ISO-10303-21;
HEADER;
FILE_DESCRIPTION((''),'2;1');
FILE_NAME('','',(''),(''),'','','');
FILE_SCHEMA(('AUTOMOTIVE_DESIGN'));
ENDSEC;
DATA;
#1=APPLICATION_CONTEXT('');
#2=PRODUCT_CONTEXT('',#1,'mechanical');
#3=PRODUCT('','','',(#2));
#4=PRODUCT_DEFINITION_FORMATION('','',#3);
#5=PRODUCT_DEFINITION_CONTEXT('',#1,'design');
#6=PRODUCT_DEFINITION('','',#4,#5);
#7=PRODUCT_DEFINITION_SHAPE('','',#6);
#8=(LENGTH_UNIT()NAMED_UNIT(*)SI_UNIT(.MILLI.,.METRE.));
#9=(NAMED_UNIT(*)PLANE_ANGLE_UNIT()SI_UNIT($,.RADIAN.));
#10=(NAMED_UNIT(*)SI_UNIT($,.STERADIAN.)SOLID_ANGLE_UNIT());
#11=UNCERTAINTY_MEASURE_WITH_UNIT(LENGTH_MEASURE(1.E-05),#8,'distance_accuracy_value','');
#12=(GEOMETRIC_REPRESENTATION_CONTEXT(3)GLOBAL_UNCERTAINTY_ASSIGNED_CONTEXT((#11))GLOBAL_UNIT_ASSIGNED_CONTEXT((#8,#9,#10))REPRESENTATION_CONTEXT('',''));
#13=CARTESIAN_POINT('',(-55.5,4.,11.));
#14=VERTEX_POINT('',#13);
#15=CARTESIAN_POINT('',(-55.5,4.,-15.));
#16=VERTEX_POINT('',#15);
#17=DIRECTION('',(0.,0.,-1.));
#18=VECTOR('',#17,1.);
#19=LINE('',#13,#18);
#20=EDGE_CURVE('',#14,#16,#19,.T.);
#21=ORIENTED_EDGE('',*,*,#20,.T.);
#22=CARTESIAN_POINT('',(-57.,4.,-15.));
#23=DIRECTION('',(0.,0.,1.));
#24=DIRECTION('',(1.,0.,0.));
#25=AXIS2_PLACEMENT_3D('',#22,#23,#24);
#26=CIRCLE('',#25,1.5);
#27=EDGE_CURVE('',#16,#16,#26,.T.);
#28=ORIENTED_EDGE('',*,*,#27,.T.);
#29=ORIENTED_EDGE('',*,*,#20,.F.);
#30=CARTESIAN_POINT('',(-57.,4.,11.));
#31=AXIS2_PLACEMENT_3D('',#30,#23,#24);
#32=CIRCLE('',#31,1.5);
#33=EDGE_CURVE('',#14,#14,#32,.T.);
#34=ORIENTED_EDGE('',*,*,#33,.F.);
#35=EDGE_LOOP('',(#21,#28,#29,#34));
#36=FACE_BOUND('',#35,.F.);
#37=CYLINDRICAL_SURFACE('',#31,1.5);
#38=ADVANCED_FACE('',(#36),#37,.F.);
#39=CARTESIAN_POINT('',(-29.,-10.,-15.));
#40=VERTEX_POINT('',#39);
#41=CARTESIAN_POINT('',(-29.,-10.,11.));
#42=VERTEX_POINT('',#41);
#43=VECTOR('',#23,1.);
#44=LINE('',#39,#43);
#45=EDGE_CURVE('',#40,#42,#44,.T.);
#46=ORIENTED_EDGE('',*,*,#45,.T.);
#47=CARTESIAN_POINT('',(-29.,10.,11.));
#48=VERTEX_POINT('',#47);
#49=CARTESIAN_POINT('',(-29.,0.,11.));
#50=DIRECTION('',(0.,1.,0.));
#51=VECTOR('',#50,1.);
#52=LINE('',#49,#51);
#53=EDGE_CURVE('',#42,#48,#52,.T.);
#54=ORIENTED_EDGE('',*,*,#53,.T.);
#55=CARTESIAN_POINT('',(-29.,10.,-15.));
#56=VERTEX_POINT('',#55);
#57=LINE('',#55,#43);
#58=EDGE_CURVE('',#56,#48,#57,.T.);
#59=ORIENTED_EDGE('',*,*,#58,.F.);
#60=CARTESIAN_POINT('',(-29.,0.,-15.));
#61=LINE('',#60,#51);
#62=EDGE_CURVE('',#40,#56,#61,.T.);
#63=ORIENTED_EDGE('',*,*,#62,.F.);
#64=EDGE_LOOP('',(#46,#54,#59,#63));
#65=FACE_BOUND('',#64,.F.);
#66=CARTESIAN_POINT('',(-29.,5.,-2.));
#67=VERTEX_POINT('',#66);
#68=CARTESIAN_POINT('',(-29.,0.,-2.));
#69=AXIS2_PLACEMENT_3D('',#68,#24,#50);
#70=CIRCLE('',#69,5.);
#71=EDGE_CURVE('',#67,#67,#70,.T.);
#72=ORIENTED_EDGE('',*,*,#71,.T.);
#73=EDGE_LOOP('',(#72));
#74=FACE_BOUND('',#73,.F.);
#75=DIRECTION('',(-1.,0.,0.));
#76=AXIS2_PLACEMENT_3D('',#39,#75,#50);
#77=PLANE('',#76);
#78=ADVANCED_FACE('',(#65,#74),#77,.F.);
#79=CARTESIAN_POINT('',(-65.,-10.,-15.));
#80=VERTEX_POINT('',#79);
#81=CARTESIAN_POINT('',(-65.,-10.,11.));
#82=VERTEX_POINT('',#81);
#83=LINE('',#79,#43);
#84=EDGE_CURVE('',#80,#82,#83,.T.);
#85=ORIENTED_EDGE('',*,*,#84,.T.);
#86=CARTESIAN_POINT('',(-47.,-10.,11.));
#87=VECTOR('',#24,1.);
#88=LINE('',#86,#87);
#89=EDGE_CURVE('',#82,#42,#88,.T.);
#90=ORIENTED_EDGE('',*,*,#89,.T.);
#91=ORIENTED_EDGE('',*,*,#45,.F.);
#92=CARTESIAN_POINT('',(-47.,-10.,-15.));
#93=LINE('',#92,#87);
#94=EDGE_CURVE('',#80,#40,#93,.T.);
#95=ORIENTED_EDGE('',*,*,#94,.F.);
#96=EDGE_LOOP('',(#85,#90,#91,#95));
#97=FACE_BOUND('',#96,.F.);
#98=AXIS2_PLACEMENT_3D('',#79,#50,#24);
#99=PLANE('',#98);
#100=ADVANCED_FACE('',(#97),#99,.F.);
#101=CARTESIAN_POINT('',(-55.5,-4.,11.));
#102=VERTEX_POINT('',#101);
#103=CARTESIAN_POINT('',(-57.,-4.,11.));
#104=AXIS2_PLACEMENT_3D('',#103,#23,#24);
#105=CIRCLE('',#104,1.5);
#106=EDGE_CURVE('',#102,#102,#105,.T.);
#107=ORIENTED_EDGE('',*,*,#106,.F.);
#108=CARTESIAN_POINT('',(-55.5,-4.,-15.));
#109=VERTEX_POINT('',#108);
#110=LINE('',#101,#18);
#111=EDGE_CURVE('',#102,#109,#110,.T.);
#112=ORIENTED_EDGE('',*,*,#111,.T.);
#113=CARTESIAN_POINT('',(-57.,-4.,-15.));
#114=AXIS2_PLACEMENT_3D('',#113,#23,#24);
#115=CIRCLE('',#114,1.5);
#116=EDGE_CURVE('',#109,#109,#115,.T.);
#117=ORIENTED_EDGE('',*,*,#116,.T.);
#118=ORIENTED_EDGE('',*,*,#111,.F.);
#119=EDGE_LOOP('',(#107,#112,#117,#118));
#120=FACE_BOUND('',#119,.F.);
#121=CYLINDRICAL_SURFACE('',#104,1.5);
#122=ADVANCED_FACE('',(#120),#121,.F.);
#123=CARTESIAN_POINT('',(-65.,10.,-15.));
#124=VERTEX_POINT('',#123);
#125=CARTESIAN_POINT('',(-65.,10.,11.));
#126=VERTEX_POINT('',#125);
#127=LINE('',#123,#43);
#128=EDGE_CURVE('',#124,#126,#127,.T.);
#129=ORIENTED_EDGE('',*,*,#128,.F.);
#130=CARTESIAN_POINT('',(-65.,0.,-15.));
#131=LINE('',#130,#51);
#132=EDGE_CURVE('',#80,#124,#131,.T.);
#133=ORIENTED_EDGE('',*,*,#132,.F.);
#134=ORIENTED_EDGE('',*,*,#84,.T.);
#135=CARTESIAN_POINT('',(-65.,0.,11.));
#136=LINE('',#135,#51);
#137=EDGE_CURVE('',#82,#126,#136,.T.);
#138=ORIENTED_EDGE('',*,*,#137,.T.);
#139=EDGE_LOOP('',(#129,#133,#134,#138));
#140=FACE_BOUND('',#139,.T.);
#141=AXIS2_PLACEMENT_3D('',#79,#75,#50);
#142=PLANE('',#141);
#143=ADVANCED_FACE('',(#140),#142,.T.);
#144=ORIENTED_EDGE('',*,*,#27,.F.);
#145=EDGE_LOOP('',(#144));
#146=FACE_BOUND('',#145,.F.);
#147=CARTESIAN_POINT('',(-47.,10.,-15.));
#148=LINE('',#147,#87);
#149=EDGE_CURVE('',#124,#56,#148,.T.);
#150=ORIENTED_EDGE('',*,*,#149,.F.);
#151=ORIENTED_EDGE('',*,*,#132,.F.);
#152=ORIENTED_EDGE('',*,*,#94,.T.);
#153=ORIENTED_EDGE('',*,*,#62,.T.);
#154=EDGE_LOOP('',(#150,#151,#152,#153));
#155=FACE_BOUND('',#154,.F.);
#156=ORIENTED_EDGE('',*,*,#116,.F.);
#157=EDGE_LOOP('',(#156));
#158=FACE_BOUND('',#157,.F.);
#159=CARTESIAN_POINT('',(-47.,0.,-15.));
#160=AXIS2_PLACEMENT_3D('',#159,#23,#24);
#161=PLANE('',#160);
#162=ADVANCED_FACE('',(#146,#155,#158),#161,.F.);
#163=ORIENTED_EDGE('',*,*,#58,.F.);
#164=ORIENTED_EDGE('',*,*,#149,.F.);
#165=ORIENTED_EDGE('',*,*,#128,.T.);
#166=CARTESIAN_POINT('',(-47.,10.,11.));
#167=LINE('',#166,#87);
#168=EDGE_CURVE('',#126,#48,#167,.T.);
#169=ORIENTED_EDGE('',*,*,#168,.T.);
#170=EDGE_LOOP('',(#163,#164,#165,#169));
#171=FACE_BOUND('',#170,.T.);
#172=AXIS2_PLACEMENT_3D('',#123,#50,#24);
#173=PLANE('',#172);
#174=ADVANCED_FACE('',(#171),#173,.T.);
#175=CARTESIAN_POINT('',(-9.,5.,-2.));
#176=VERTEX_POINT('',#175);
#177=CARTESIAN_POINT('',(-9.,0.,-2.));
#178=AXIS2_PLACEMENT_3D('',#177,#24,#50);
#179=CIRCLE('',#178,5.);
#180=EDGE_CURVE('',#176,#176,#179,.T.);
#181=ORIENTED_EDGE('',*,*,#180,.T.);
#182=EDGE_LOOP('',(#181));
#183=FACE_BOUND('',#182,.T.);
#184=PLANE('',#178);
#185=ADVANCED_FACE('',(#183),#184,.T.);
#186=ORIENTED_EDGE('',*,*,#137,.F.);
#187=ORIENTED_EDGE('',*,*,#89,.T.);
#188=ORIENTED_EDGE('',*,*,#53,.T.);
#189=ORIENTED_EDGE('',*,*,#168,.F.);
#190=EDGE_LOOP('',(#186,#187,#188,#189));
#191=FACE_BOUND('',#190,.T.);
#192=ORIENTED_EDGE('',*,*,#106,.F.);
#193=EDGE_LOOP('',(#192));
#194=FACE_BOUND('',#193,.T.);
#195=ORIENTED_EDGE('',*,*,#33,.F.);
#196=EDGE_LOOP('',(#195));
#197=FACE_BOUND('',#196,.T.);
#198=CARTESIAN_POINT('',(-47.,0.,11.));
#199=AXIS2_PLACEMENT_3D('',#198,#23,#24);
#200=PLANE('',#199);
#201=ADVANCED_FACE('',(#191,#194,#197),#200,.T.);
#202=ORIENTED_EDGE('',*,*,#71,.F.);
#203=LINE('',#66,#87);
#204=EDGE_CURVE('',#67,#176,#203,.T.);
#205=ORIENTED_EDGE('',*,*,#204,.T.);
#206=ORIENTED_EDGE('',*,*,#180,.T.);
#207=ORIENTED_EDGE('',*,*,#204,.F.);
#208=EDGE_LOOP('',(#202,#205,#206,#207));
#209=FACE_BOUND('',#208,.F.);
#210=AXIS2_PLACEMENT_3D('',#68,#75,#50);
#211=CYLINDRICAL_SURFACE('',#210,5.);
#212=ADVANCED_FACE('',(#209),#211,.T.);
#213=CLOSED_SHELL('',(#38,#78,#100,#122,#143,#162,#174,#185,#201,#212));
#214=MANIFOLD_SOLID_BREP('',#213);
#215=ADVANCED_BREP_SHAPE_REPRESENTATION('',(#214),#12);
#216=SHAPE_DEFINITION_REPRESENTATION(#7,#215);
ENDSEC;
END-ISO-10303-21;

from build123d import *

# Parameters (mm, degrees)
SKETCH119_W     = 36
SKETCH119_H     = 20
PAD083_DEPTH    = 26
SKETCH120_R     = 5
PAD084_DEPTH    = 20
SKETCH137_R     = 1.5
POCKET108_DEPTH = 26.001


with BuildPart() as part:
    # Sketch119 → Pad083 (new body)
    with BuildSketch(Plane.XY):
        with Locations((-46, 0)):
            Rectangle(SKETCH119_W, SKETCH119_H)
    extrude(amount=PAD083_DEPTH)

    # Sketch120 (on Face2 of Pad083) → Pad084 (join)
    with BuildSketch(Plane.YZ.offset(-28)):
        with Locations((0, 13)):
            Circle(SKETCH120_R)
    extrude(amount=PAD084_DEPTH)

    # Sketch137 (on Face5 of Pad084) → Pocket108 (cut, through all)
    with BuildSketch(Plane.XY.offset(26)):
        with Locations((-56, 4)):
            Circle(SKETCH137_R)
        with Locations((-56, -4)):
            Circle(SKETCH137_R)
    extrude(amount=-POCKET108_DEPTH, mode=Mode.SUBTRACT)


with BuildPart() as part_1:
    # Body049 placement: moved
    add(part.part.moved(Location((-1, 0, -15))))


solid = part_1.part
